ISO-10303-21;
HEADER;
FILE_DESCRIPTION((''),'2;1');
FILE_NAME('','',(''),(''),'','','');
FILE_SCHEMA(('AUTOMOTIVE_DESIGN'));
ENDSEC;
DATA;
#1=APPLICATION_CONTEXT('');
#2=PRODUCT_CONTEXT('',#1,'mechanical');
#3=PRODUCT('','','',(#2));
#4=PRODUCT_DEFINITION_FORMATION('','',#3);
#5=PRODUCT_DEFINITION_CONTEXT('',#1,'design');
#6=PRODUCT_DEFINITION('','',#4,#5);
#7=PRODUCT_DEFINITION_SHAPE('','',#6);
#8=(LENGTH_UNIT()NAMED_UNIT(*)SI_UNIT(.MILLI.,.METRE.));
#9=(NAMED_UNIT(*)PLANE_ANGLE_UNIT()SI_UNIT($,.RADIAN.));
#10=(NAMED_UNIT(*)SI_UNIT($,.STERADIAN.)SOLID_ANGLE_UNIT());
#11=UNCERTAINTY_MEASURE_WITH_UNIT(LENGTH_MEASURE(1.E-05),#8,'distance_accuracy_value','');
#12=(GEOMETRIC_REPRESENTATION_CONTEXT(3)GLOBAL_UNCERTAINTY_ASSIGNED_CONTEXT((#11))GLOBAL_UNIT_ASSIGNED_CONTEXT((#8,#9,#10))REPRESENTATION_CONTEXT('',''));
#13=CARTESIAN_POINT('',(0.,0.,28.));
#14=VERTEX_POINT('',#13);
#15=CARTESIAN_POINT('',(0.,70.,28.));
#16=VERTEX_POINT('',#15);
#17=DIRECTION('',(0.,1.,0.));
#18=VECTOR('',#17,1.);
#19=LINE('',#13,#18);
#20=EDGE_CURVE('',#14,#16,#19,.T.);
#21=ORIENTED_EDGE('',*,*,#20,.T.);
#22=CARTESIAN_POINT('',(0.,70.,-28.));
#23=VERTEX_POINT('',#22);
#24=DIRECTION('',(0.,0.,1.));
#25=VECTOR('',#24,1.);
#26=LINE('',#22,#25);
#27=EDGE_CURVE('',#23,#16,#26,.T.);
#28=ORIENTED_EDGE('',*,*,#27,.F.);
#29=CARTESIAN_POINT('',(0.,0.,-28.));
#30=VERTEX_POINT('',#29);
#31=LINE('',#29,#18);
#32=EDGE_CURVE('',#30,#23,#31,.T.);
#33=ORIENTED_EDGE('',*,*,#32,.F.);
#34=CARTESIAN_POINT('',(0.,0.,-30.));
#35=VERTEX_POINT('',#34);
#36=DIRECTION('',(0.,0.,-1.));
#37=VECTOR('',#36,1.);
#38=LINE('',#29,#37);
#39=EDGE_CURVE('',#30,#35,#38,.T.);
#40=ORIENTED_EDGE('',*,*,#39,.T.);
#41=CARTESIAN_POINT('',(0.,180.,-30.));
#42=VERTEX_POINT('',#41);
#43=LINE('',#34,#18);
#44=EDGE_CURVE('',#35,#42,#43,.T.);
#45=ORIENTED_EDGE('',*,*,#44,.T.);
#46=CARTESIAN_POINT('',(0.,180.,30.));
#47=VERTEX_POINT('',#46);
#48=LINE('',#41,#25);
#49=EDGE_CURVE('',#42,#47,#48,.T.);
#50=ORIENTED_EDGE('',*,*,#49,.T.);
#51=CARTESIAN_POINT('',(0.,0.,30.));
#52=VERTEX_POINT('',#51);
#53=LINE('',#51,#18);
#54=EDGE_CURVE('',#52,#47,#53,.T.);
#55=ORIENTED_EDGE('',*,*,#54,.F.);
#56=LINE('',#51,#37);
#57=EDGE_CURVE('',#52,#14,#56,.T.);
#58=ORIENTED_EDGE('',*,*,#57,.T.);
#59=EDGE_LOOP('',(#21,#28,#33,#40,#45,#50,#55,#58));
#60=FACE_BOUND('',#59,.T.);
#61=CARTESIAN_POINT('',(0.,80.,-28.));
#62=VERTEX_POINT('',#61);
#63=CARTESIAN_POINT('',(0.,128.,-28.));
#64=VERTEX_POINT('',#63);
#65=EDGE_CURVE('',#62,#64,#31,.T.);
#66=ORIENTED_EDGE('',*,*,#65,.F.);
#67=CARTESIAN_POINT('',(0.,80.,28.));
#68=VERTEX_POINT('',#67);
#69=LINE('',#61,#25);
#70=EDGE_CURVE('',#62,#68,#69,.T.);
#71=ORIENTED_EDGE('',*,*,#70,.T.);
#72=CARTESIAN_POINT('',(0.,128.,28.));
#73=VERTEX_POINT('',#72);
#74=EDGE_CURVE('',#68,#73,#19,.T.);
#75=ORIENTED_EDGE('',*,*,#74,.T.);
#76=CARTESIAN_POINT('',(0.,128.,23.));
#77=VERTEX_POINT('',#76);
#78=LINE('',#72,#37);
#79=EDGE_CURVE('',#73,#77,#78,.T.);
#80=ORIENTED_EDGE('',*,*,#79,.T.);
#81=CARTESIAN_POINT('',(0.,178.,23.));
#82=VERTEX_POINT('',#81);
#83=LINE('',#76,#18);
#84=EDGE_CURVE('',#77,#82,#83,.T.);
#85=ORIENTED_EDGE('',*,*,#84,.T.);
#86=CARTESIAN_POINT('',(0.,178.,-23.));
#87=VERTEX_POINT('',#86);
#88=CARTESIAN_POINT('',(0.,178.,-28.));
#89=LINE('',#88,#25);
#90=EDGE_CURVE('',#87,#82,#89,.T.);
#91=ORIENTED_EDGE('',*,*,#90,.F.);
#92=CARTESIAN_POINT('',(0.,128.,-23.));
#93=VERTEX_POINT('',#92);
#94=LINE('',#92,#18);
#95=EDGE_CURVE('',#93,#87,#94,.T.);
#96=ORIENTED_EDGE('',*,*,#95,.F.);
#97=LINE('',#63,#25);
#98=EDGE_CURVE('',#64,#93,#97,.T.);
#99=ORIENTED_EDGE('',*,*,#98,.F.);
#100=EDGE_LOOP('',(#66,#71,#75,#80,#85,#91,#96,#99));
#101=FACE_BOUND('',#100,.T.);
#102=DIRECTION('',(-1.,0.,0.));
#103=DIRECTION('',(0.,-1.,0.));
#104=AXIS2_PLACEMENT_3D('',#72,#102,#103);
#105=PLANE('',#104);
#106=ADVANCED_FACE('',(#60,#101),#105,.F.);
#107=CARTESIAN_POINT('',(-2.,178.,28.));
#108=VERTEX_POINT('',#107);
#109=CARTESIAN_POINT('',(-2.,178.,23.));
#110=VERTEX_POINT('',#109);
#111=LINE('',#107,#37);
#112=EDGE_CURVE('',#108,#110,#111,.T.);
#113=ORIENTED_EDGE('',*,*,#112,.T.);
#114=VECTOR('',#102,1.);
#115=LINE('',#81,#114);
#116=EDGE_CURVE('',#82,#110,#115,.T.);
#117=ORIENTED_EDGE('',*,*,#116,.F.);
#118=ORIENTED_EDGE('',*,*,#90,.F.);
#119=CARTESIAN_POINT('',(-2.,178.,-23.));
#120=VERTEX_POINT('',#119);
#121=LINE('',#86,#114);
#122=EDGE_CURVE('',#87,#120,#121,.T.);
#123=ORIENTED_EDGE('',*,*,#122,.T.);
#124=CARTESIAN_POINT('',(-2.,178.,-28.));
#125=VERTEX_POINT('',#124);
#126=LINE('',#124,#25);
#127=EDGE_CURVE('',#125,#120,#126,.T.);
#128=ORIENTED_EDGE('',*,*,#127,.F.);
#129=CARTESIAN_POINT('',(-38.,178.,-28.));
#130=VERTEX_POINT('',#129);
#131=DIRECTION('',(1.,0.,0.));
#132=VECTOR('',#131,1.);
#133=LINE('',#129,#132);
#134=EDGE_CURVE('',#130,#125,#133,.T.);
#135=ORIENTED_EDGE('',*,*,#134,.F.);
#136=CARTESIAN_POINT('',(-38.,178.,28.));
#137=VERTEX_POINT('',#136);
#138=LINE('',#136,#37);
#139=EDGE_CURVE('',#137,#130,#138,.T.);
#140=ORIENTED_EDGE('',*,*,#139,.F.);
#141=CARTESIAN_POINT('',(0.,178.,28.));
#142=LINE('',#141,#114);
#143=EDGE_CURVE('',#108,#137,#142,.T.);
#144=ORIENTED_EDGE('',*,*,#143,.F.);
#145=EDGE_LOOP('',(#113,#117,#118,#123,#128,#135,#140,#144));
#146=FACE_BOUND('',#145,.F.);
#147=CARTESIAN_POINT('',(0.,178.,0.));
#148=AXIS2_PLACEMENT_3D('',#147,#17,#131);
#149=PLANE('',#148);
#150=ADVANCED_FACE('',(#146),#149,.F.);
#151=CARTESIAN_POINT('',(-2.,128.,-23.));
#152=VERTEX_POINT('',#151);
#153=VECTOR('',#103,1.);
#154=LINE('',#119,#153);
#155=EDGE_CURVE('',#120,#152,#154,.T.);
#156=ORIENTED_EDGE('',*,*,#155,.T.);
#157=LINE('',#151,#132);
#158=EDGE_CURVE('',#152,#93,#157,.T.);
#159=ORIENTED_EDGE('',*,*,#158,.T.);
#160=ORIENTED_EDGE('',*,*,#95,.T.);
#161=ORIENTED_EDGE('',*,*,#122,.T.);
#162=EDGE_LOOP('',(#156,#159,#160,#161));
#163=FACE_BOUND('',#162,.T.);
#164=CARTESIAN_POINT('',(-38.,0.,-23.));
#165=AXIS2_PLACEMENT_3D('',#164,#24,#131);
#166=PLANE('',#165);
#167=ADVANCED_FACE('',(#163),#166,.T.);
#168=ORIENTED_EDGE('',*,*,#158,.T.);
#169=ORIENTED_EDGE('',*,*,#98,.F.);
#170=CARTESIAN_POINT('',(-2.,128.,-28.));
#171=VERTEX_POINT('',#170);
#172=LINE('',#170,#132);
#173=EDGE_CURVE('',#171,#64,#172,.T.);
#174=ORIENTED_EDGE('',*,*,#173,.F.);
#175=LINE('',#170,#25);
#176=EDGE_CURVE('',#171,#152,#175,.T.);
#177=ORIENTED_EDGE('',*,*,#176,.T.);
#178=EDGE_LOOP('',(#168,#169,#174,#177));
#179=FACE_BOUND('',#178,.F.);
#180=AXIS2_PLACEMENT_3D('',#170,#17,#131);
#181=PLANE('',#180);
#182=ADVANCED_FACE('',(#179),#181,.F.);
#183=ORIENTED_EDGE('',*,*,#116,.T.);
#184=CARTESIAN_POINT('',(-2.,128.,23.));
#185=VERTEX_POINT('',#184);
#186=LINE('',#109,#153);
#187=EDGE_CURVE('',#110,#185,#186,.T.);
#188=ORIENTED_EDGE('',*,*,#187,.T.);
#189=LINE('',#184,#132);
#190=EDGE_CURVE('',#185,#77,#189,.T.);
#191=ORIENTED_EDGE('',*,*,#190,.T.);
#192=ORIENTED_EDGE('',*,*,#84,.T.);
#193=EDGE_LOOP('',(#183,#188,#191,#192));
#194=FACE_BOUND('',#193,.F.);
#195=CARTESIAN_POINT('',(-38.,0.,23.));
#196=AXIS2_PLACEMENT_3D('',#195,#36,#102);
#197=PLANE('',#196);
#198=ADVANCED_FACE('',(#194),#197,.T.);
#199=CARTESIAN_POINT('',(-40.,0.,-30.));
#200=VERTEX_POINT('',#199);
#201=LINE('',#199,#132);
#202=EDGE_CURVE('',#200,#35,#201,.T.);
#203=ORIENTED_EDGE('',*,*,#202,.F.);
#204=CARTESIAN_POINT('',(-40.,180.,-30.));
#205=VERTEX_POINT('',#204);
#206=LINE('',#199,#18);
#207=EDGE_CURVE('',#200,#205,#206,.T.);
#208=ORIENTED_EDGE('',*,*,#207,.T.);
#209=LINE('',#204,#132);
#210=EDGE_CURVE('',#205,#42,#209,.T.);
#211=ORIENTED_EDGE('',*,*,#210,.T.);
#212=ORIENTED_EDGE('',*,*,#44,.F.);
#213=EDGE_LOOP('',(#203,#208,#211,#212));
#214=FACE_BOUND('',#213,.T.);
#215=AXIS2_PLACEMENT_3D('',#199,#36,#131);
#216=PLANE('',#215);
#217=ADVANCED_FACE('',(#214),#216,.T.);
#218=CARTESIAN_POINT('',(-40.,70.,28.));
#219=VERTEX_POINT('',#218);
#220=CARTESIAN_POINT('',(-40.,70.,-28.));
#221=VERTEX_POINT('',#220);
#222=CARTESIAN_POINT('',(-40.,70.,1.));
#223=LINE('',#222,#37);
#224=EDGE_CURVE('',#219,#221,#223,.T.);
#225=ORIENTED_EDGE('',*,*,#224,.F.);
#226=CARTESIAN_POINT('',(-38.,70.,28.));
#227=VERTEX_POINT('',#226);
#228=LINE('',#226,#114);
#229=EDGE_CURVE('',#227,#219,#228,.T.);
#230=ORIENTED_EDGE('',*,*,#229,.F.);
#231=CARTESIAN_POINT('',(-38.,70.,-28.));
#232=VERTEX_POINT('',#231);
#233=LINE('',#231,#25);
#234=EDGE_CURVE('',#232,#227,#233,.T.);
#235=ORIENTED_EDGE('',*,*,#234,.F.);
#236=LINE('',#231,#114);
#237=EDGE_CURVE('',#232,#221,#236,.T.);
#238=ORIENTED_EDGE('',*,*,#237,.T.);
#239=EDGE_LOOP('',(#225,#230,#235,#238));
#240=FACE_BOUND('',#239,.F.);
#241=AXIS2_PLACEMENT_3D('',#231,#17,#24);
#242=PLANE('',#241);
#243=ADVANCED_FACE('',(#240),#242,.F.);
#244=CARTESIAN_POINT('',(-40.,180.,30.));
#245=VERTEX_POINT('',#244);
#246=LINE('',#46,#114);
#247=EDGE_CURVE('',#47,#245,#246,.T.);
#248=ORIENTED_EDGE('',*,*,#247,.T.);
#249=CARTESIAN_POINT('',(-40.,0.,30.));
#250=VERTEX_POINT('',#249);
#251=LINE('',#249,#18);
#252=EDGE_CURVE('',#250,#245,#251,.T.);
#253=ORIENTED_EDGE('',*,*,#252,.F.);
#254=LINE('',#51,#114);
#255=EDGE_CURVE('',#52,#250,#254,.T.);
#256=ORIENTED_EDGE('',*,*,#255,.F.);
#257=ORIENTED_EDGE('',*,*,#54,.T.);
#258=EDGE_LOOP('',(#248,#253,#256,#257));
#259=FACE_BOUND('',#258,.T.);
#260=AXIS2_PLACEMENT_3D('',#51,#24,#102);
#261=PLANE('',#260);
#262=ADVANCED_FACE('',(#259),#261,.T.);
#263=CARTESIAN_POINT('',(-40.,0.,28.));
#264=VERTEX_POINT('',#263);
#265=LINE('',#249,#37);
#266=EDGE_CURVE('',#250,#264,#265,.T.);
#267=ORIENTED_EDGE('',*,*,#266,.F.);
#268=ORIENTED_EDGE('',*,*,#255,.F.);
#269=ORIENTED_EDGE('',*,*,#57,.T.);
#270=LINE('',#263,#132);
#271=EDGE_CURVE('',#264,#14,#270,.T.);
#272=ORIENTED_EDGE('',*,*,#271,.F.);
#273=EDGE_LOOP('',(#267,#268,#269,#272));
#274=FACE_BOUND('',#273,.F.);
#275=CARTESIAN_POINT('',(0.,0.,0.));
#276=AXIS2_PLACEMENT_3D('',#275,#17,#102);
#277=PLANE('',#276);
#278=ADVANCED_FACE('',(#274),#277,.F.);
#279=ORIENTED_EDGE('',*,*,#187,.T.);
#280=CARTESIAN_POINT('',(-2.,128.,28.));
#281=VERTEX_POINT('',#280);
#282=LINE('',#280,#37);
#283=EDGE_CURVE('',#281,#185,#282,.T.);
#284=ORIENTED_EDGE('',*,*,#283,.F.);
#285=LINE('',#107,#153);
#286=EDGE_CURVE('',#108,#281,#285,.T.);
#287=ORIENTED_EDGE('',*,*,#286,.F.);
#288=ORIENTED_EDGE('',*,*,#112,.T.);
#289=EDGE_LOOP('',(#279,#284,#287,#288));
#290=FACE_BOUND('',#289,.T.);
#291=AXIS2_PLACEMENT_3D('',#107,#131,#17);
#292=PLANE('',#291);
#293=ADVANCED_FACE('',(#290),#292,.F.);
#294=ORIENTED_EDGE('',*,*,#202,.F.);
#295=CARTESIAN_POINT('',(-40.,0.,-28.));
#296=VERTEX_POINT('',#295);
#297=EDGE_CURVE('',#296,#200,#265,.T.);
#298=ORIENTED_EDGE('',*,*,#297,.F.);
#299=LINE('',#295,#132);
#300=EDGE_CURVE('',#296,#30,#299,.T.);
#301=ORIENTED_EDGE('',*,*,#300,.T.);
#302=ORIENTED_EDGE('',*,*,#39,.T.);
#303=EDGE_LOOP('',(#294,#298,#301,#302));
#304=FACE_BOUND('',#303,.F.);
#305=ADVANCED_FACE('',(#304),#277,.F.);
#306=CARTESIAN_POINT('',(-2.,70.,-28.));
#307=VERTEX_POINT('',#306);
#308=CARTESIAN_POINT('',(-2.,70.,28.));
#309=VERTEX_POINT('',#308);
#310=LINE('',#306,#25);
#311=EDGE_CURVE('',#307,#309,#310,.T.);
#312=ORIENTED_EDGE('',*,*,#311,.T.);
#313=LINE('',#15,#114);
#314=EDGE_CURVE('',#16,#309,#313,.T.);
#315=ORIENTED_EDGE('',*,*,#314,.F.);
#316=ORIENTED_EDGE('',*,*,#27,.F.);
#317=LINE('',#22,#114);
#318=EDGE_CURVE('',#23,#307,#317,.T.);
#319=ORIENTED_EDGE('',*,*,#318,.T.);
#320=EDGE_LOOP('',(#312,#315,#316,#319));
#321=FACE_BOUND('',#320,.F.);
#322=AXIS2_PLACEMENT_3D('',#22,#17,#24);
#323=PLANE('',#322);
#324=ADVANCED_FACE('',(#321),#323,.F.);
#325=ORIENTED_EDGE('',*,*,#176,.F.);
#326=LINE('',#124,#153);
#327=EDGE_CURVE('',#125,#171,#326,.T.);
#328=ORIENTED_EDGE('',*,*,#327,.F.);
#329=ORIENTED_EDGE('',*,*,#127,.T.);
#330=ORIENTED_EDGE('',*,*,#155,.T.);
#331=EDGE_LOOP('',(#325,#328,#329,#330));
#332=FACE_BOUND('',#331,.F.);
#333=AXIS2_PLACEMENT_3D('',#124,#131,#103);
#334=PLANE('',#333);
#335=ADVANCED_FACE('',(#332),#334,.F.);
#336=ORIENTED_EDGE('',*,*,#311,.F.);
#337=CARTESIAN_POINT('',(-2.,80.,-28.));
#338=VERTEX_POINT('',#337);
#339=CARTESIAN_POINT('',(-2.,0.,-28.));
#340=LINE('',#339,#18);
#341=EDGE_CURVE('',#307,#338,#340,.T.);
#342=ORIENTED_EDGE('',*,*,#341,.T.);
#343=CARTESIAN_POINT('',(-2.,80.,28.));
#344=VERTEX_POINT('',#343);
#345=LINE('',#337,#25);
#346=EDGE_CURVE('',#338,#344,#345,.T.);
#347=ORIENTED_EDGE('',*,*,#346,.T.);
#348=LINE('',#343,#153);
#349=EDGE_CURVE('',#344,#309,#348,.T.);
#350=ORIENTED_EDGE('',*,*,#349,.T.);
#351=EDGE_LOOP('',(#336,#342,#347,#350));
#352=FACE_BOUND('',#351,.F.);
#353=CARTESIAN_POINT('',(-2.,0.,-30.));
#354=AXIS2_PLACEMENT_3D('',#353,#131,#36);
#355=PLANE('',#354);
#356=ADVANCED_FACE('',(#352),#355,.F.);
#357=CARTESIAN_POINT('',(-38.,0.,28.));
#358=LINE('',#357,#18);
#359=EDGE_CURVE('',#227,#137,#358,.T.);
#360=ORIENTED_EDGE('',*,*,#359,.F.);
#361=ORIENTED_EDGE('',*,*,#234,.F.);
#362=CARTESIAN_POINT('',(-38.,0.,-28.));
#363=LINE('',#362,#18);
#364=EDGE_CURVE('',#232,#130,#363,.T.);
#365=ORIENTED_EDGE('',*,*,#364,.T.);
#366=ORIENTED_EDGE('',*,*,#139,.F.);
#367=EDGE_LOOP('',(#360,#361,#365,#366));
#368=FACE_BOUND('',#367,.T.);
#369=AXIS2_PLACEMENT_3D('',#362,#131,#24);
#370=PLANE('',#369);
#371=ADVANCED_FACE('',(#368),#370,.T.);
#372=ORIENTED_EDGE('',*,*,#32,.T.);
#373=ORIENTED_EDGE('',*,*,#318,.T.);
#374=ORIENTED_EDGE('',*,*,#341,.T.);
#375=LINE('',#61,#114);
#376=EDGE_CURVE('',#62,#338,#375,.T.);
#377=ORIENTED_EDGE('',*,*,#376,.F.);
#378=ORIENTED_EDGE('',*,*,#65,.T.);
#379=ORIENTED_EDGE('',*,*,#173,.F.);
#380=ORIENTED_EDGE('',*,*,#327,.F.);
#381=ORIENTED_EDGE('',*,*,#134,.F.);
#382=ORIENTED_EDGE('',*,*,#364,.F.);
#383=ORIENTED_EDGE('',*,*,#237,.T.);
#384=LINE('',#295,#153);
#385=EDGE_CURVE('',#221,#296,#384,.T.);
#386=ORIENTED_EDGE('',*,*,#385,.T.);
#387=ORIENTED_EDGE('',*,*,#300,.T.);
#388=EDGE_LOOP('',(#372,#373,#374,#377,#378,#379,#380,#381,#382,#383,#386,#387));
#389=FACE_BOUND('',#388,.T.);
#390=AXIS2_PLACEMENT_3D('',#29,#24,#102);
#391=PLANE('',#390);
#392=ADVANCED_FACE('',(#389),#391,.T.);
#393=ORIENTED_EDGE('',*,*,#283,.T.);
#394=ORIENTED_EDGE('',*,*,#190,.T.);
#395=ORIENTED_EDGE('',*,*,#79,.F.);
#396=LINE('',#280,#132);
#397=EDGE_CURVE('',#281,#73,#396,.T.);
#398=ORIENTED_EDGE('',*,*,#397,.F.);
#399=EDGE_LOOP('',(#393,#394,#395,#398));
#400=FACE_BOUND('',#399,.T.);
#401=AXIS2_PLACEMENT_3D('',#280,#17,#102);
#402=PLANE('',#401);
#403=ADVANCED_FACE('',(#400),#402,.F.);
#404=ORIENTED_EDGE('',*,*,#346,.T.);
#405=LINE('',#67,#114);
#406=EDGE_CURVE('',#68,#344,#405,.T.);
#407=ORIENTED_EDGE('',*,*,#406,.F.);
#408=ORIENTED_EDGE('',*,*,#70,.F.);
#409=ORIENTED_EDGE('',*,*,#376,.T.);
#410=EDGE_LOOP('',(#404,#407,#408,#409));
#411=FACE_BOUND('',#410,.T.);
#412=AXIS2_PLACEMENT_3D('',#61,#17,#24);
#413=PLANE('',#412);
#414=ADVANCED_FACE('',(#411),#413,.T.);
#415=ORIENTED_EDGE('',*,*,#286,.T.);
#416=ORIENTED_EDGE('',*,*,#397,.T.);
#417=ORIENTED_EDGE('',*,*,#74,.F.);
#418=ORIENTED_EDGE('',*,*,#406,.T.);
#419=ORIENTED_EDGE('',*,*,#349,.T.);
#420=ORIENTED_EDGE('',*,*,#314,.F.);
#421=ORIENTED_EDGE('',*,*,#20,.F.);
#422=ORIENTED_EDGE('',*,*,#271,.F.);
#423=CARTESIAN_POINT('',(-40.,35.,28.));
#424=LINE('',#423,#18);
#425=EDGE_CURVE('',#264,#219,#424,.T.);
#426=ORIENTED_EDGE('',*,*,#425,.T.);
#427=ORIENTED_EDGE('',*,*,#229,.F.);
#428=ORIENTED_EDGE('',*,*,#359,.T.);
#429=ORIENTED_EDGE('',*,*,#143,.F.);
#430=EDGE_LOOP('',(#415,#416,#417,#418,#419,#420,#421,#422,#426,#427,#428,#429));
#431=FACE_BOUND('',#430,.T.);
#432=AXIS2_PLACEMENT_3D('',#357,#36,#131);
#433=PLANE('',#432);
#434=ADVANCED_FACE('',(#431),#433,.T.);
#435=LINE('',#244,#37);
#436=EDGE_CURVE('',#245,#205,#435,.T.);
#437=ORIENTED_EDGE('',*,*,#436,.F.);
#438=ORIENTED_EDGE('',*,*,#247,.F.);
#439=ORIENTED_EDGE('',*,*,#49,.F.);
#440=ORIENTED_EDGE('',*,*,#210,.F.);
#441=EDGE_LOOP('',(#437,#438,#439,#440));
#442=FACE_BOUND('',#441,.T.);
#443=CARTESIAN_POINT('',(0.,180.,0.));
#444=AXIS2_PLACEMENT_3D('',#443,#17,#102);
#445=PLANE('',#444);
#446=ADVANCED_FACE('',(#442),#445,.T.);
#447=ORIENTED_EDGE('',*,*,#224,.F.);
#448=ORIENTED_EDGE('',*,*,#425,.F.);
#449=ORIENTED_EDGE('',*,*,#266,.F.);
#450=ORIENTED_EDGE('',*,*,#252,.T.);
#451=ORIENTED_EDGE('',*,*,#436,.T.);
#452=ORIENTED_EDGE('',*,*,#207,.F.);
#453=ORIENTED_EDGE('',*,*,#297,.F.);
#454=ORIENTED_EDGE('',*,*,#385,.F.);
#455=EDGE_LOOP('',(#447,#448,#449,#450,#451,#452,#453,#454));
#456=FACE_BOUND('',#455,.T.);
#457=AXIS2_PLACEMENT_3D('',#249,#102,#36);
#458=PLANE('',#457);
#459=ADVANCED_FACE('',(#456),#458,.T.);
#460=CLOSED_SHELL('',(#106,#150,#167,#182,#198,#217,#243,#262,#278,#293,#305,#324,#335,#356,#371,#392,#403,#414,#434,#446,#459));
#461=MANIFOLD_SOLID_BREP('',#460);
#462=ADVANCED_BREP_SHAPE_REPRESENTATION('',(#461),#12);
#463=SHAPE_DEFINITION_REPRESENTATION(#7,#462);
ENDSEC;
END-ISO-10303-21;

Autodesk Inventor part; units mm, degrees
ref_plane "YZ Plane" through (0, 0, 0) normal (1, 0, 0) x (0, 1, 0)
ref_plane "XZ Plane" through (0, 0, 0) normal (0, 1, 0) x (-1, 0, 0)
ref_plane "XY Plane" through (0, 0, 0) normal (0, 0, 1) x (1, 0, 0)
sketch "Sketch1" plane through (0, 0, 0) normal (0, 1, 0) x (-1, 0, 0)
  line L0 (0, -28) -> (38, -28)
  line L1 (38, -28) -> (38, 28)
  line L2 (38, 28) -> (0, 28)
  line L3 (0, 28) -> (0, -28) construction
  line L4 (0, 30) -> (40, 30)
  line L5 (40, 30) -> (40, -30)
  line L6 (40, -30) -> (0, -30)
  line L7 (0, 30) -> (0, 28)
  line L8 (0, -28) -> (0, -30)
  point P0 (0, 0)
  point P1 (0, 0)
  dimension "d0" = 40
  dimension "d1" = 60
  dimension "d2" = 2
  dimension "d3" = 38
extrude "Extrusion1" add sketch "Sketch1" along normal blind 180
sketch "Sketch2" plane through (0, 180, 0) normal (0, 1, 0) x (1, 0, 0)
  line L0 (-38, 28) -> (0, 28) projected
  line L1 (0, -30) -> (0, -28) projected
  line L2 (-38, 28) -> (0, 28)
  line L3 (0, 28) -> (0, -28)
  line L4 (0, -28) -> (-38, -28)
  line L5 (-38, -28) -> (-38, 28)
  point P0 (0, 0)
extrude "Extrusion2" add sketch "Sketch2" against normal blind 2
sketch "Sketch3" plane through (-38, 0, -28) normal (0, 0, 1) x (1, 0, 0)
  line L0 (38, 178) -> (36, 178)
  line L1 (36, 178) -> (36, 128)
  line L2 (36, 128) -> (38, 128)
  line L3 (38, 128) -> (38, 178)
  point P0 (38, 0)
  dimension "d8" = 2
  dimension "d9" = 50
extrude "Extrusion3" add sketch "Sketch3" along normal blind 5
mirror "Mirror1" about plane through (0, 0, 0) normal (0, 0, 1) of "Extrusion3"
sketch "Sketch4" plane through (-38, 0, 28) normal (1, 0, 0) x (0, 0, -1)
  line L0 (0, 0) -> (56, 0) projected
  line L1 (56, 0) -> (56, 178) projected
  line L2 (0, 0) -> (56, 0)
  line L3 (56, 0) -> (56, 70)
  line L4 (56, 70) -> (0, 70)
  line L5 (0, 70) -> (0, 0)
  point P0 (28, 0)
  dimension "d12" = 70
extrude "Extrusion4" cut sketch "Sketch4" against normal blind 5
sketch "Sketch5" plane through (0, 0, -30) normal (1, 0, 0) x (0, 0, -1)
  line L0 (-2, 70) -> (-58, 70) projected
  line L1 (-2, 0) -> (-2, 128) projected
  line L2 (-58, 70) -> (-2, 70)
  line L3 (-2, 70) -> (-2, 80)
  line L4 (-2, 80) -> (-58, 80)
  line L5 (-58, 80) -> (-58, 70)
  point P0 (-30, 0)
  dimension "d15" = 10
extrude "Extrusion5" add sketch "Sketch5" against normal blind 2
properties part number "Soporte_camara"
